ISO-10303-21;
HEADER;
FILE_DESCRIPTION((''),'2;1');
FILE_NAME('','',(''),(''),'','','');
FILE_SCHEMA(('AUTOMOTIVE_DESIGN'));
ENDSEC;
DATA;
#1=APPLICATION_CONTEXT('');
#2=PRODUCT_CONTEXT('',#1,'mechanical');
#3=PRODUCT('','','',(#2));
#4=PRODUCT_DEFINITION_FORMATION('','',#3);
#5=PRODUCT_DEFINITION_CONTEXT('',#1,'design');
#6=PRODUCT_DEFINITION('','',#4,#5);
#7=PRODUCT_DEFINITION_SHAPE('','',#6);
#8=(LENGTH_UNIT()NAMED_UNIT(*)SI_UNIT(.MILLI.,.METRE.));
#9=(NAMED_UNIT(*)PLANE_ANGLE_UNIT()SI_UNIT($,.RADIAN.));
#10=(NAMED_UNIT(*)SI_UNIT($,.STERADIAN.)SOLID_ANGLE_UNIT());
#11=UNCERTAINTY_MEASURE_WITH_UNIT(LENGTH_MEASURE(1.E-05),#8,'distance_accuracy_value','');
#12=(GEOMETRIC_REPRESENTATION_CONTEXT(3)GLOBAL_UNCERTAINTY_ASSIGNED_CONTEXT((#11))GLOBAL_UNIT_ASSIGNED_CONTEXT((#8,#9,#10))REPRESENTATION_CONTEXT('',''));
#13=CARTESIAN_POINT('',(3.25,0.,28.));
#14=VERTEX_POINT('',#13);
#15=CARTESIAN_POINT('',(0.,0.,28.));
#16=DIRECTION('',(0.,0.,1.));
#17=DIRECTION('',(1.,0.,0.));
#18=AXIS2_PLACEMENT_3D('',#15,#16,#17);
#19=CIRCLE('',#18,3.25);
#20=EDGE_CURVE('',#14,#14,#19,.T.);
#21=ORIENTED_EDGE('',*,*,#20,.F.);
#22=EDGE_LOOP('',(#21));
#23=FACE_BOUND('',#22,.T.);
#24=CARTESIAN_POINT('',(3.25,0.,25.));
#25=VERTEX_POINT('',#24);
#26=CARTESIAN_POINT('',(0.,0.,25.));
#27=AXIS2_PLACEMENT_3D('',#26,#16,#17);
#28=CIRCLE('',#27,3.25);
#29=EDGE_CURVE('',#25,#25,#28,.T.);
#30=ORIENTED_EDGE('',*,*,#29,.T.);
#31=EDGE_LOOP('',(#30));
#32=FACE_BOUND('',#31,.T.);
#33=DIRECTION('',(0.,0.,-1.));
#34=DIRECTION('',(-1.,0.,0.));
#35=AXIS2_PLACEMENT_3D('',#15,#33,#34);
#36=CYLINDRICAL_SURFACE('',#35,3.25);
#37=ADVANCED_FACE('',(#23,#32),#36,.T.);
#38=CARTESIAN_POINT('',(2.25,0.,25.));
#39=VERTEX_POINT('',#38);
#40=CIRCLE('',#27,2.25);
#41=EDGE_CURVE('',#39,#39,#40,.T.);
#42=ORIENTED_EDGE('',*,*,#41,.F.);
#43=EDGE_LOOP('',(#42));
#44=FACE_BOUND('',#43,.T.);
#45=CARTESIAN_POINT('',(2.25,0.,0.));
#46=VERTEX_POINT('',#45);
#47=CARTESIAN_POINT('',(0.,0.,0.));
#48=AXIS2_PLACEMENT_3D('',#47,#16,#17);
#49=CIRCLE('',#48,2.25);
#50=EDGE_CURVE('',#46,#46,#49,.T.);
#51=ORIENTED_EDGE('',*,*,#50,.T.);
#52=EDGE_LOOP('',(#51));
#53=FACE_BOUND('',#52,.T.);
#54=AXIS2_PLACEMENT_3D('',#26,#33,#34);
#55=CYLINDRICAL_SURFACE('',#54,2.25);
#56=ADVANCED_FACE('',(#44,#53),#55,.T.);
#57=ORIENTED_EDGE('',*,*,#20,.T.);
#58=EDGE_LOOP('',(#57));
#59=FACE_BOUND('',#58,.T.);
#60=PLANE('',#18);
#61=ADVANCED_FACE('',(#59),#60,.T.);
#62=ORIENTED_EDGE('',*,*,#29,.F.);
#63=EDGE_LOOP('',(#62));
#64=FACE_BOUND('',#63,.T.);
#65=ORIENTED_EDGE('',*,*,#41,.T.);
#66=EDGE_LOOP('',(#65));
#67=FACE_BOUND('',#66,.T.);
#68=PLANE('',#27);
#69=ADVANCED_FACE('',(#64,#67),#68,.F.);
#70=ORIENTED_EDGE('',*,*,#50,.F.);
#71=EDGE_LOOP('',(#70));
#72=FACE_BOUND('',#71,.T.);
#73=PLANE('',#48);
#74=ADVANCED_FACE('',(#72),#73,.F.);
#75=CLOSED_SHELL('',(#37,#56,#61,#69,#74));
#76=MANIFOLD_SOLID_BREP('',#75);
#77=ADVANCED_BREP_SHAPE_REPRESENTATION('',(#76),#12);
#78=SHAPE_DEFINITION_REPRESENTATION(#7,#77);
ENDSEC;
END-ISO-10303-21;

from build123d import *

# Parameters (mm, degrees)
ESQUISSE1_R                    = 2.25
ESQUISSE1_R_2                  = 1.25
EXTRU_MINCE1_DEPTH             = 25
BOSS_EXTRU_1_REACH             = 14.899
ESQUISSE2_R                    = 1.25
BOSS_EXTRU_1_DIRECTION_2_REACH = 14.899
ESQUISSE3_R                    = 3.25
BOSS_EXTRU_2_DEPTH             = 3


with BuildPart() as part:
    # Esquisse1 → Extru.-Mince1 (new body)
    with BuildSketch(Plane.XY):
        Circle(ESQUISSE1_R)
        Circle(ESQUISSE1_R_2, mode=Mode.SUBTRACT)
    extrude(amount=EXTRU_MINCE1_DEPTH)

    # Boss.-Extru.1: up to this face of the body (flat: up to its plane)
    boss_extru_1_end = Plane(part.part.faces().sort_by_distance((-2.18636039, 0, 0))[0])
    # Esquisse2 → Boss.-Extru.1 (add, up to the picked face)
    with BuildSketch(Plane(origin=(0, 0, 12.5), x_dir=(-1, 0, 0), z_dir=(0, 0, -1)), mode=Mode.PRIVATE) as boss_extru_1_sk1:
        Circle(ESQUISSE2_R)
    boss_extru_1_tool1 = split(extrude(boss_extru_1_sk1.sketch, amount=BOSS_EXTRU_1_REACH, mode=Mode.PRIVATE), bisect_by=boss_extru_1_end, keep=Keep.BOTH, mode=Mode.PRIVATE)
    add(boss_extru_1_tool1.solids().sort_by(Axis((0, 0, 12.5), (0, 0, -1)))[0])

    # Boss.-Extru.1 direction 2: up to this face of the body (flat: up to its plane)
    boss_extru_1_direction_2_end = Plane(part.part.faces().sort_by_distance((-2.18636039, 0, 25))[0])
    # Esquisse2 → Boss.-Extru.1 direction 2 (add, up to the picked face)
    with BuildSketch(Plane(origin=(0, 0, 12.5), x_dir=(-1, 0, 0), z_dir=(0, 0, -1)), mode=Mode.PRIVATE) as boss_extru_1_direction_2_sk1:
        Circle(ESQUISSE2_R)
    boss_extru_1_direction_2_tool1 = split(extrude(boss_extru_1_direction_2_sk1.sketch, amount=-BOSS_EXTRU_1_DIRECTION_2_REACH, mode=Mode.PRIVATE), bisect_by=boss_extru_1_direction_2_end, keep=Keep.BOTH, mode=Mode.PRIVATE)
    add(boss_extru_1_direction_2_tool1.solids().sort_by(Axis((0, 0, 12.5), (0, 0, 1)))[0])

    # Esquisse3 → Boss.-Extru.2 (add)
    with BuildSketch(Plane.XY.offset(25)):
        Circle(ESQUISSE3_R)
    extrude(amount=BOSS_EXTRU_2_DEPTH)


solid = part.part
